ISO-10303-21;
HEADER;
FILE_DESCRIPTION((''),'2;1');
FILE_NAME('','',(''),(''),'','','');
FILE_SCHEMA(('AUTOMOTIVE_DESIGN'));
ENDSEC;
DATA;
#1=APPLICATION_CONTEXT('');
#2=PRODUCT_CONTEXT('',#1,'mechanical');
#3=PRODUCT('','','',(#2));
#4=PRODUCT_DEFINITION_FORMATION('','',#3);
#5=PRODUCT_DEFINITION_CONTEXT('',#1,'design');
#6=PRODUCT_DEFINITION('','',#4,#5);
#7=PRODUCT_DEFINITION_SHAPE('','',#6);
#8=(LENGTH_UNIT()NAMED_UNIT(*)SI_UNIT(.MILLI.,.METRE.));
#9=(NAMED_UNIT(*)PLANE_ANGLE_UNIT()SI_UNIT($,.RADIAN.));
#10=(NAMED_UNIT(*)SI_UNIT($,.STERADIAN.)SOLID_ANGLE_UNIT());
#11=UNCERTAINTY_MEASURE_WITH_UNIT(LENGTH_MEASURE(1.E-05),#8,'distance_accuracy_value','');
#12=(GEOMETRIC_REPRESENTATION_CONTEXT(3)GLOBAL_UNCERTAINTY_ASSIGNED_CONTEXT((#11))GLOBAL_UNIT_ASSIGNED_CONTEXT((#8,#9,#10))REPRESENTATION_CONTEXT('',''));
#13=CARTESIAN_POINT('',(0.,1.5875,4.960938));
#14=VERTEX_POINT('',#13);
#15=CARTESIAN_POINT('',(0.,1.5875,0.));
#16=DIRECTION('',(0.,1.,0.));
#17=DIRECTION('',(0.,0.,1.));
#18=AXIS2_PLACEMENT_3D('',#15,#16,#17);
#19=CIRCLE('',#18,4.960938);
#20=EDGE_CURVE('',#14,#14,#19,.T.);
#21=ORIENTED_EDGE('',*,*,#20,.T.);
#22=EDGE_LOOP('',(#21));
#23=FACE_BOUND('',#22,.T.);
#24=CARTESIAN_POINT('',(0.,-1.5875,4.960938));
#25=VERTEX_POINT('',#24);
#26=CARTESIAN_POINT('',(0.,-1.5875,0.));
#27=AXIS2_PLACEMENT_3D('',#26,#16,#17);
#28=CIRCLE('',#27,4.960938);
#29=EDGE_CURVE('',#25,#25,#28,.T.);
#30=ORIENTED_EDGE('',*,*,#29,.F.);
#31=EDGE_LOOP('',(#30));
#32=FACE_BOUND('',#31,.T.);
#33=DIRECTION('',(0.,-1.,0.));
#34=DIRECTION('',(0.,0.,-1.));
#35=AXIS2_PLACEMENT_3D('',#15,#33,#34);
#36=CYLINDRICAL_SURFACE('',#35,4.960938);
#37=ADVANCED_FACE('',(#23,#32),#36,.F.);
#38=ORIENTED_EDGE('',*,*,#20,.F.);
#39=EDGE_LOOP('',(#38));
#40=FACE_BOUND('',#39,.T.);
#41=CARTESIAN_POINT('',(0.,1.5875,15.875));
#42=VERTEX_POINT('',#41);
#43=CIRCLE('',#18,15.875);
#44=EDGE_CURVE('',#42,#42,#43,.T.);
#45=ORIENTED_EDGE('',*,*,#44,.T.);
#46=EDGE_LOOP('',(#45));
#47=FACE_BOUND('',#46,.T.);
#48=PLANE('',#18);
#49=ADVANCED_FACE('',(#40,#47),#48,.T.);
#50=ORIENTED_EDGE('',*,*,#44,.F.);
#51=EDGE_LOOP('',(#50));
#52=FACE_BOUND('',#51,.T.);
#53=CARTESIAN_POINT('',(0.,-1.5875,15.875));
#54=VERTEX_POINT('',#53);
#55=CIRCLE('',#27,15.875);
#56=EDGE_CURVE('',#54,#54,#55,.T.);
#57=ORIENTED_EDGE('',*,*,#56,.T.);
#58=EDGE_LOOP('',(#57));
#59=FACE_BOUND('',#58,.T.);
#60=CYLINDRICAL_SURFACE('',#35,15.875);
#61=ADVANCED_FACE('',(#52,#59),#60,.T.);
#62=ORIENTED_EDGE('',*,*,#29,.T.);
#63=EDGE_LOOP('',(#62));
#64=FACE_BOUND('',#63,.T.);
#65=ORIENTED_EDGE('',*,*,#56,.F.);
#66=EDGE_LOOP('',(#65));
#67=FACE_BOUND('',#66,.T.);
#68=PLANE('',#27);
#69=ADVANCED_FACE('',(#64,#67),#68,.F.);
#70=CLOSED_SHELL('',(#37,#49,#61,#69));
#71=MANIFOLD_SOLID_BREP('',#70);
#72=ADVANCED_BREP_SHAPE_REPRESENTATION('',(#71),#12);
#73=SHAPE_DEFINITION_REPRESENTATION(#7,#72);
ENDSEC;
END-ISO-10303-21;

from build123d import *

# Parameters (mm, degrees)
SKETCH1_R      = 15.875
SKETCH1_R_2    = 4.9609375
EXTRUDE1_DEPTH = 1.5875


with BuildPart() as part:
    # Sketch1 → Extrude1 (new body, symmetric)
    with BuildSketch(Plane(origin=(0, 0, 0), x_dir=(1, 0, 0), z_dir=(0, 1, 0))):
        Circle(SKETCH1_R)
        Circle(SKETCH1_R_2, mode=Mode.SUBTRACT)
    extrude(amount=EXTRUDE1_DEPTH, both=True)


solid = part.part
